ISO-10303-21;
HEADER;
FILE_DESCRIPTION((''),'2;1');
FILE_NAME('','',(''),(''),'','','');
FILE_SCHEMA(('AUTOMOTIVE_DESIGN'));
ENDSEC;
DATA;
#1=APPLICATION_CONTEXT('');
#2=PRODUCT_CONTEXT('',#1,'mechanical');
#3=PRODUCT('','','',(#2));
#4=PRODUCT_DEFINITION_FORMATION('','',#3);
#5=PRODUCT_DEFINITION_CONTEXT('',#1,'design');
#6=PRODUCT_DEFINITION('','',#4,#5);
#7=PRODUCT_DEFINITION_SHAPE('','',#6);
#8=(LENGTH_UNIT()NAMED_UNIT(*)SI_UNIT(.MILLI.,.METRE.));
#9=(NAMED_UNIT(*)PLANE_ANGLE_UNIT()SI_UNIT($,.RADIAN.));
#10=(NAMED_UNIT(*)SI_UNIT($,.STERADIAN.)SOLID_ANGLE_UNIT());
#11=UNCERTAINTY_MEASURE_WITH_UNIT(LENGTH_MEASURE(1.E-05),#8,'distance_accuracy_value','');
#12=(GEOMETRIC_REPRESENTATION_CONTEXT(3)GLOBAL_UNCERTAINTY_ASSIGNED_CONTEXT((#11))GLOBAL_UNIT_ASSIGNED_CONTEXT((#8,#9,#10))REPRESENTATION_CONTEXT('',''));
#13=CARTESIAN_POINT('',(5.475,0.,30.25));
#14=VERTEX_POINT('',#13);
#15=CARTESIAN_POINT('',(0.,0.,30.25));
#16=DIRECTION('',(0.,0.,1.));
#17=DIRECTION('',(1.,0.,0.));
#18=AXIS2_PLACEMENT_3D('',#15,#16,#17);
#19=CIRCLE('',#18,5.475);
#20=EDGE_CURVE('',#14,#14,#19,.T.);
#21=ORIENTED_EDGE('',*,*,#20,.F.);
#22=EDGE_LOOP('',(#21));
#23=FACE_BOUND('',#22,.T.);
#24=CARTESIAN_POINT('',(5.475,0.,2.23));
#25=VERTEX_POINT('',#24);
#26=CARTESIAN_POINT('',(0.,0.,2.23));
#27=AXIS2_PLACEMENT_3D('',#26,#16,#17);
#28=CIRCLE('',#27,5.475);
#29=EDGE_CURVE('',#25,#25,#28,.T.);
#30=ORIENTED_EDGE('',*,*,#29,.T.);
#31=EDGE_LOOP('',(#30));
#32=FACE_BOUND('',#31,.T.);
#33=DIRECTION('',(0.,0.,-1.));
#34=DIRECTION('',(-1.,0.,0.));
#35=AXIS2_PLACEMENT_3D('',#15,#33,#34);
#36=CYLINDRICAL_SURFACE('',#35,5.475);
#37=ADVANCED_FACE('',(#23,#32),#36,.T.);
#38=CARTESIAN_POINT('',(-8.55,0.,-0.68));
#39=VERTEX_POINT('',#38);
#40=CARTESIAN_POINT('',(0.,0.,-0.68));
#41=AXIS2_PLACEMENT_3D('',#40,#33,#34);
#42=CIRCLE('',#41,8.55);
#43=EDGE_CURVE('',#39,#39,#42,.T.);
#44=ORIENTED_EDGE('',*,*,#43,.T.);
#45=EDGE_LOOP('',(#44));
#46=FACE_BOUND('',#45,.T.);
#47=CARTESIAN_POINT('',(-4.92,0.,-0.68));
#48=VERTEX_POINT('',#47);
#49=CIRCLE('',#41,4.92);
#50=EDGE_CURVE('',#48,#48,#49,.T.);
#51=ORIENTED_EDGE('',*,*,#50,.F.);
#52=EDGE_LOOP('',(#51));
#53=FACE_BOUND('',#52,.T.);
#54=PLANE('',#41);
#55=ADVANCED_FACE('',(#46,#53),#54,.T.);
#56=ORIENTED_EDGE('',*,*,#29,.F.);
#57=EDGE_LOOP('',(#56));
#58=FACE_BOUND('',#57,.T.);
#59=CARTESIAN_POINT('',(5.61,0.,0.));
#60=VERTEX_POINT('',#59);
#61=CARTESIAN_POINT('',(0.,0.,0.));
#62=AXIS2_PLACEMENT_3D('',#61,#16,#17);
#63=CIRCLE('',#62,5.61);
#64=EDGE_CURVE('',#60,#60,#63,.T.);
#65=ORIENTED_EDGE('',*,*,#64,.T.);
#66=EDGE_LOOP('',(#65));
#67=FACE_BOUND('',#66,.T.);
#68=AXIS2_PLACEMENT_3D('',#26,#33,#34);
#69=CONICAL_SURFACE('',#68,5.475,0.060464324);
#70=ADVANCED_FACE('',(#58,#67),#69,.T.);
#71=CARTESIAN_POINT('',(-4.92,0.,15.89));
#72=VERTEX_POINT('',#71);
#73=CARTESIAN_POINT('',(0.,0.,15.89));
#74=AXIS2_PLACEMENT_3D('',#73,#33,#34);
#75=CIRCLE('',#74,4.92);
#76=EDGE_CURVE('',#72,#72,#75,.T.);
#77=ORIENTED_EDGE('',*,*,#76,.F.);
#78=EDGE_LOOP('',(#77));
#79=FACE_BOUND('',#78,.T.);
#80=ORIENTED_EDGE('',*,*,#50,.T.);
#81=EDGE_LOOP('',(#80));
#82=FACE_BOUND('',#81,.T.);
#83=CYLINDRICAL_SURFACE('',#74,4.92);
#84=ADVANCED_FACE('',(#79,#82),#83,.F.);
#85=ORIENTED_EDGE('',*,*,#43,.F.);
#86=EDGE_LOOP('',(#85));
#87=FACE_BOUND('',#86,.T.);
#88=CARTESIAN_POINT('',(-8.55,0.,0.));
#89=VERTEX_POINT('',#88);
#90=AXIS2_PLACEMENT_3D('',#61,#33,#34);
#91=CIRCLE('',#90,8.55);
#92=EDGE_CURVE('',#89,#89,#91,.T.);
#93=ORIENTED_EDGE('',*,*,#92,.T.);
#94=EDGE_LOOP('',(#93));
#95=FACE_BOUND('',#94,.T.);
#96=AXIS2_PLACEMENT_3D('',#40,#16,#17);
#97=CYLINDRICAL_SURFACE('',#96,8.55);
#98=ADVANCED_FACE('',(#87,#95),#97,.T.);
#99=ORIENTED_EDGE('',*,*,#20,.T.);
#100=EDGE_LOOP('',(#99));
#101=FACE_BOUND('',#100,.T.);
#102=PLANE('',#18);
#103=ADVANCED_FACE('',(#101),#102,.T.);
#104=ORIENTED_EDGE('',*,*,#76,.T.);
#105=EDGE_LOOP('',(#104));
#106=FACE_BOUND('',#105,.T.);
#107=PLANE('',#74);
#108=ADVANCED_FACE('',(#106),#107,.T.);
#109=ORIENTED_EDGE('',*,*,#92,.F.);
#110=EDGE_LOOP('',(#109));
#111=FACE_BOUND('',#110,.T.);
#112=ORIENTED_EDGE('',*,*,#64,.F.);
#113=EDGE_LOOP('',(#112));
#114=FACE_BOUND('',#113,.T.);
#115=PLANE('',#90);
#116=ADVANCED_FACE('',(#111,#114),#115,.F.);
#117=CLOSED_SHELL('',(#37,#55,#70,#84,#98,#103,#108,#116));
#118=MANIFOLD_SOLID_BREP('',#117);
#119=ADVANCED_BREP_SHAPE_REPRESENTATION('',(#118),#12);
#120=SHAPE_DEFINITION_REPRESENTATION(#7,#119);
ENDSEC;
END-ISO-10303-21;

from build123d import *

# Parameters (mm, degrees)
SKETCH2_R           = 5.475
SKETCH1_R           = 5.61
SKETCH3_R           = 5.475
SKETCH2_2_R         = 5.475
SKETCH4_R           = 8.55
BOSS_EXTRUDE1_DEPTH = 0.68
SKETCH5_R           = 4.92
CUT_EXTRUDE1_DEPTH  = 16.57


with BuildPart() as part:
    # Sketch2 → Loft1 section 0
    with BuildSketch(Plane.XY.offset(2.23)):
        Circle(SKETCH2_R)
    # Sketch1 → Loft1 section 1
    with BuildSketch(Plane.XY):
        Circle(SKETCH1_R)
    loft()

    # Sketch3 → Loft2 section 0
    with BuildSketch(Plane.XY.offset(30.25)):
        Circle(SKETCH3_R)
    # Sketch2<2> → Loft2 section 1
    with BuildSketch(Plane.XY.offset(2.23)):
        Circle(SKETCH2_2_R)
    loft()

    # Sketch4 → Boss-Extrude1 (add)
    with BuildSketch(Plane(origin=(0, 0, 0), x_dir=(-1, 0, 0), z_dir=(0, 0, -1))):
        Circle(SKETCH4_R)
    extrude(amount=BOSS_EXTRUDE1_DEPTH)

    # Sketch5 → Cut-Extrude1 (cut)
    with BuildSketch(Plane(origin=(0, 0, -0.68), x_dir=(-1, 0, 0), z_dir=(0, 0, -1))):
        Circle(SKETCH5_R)
    extrude(amount=-CUT_EXTRUDE1_DEPTH, mode=Mode.SUBTRACT)


solid = part.part
